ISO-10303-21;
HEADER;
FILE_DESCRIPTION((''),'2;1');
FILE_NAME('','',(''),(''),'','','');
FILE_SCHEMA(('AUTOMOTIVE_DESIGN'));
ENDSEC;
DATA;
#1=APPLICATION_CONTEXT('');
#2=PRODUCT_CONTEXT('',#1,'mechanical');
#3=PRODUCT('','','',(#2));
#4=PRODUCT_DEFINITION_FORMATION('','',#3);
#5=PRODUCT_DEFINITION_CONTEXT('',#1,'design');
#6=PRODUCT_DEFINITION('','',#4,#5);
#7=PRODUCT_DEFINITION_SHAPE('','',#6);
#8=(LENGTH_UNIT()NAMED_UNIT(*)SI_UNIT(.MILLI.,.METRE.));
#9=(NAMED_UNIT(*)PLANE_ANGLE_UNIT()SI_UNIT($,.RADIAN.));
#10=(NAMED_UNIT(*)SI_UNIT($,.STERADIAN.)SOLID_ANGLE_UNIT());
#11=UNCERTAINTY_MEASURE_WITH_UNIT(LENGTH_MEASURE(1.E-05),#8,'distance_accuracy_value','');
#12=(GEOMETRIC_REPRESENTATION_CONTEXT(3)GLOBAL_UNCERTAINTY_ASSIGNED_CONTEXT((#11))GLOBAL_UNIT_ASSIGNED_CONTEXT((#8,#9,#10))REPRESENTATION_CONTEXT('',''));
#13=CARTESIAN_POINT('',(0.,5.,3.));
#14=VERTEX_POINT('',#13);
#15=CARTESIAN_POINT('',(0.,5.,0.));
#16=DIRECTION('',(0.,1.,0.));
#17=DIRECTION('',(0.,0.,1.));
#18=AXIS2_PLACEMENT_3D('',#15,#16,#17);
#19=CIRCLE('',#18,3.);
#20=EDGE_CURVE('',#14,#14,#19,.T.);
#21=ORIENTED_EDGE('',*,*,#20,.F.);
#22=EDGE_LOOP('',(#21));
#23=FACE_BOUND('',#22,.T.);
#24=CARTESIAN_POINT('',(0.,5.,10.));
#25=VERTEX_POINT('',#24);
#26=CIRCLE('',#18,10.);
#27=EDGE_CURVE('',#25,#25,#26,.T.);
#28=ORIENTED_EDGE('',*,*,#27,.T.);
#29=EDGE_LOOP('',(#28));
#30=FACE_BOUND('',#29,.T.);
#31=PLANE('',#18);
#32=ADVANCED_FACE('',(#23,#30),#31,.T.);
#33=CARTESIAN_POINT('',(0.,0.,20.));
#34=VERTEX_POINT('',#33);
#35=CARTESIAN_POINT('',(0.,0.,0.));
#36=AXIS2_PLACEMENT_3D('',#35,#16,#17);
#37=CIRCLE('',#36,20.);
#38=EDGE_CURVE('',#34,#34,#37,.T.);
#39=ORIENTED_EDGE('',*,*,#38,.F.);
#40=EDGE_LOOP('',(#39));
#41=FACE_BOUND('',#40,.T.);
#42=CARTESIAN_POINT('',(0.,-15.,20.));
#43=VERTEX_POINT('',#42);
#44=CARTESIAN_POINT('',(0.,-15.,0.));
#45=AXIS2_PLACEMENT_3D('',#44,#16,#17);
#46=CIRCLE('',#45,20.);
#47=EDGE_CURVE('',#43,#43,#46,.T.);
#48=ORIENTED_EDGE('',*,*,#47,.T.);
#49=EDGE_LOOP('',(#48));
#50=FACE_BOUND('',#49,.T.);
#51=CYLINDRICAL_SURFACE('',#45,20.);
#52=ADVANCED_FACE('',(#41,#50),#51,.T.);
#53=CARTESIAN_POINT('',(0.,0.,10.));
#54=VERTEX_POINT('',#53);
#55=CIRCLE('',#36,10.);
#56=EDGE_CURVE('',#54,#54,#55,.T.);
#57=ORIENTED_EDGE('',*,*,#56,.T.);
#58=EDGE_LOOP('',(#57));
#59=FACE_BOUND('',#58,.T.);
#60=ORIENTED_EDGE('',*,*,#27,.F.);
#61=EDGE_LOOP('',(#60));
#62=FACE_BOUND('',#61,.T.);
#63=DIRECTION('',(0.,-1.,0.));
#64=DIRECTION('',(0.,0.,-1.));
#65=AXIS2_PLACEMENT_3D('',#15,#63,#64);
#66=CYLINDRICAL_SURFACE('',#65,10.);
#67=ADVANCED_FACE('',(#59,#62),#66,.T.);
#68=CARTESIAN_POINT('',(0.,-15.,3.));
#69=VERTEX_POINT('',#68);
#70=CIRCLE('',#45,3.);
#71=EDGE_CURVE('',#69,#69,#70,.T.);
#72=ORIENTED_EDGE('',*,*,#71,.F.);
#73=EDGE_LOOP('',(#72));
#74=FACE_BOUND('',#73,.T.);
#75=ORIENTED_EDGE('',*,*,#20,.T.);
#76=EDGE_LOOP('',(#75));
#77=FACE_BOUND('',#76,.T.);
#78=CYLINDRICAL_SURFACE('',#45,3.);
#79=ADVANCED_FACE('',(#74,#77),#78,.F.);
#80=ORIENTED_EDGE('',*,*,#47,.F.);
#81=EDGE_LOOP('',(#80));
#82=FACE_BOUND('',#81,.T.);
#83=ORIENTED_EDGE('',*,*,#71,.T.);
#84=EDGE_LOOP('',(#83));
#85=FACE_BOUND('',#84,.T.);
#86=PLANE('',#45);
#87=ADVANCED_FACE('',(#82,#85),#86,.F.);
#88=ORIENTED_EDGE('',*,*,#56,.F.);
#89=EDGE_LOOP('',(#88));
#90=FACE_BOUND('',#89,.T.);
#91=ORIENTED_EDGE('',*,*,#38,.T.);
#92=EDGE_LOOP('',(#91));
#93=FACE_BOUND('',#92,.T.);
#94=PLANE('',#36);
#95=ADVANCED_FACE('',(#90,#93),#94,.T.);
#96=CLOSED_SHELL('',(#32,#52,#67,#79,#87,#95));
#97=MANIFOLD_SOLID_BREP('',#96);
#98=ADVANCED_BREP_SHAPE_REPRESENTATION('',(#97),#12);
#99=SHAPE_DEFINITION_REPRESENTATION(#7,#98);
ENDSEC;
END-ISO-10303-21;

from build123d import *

# Parameters (mm, degrees)
SKETCH1_R          = 20
EXTRUDE1_DEPTH     = 15
SKETCH2_R          = 10
EXTRUDE2_DEPTH     = 5
SKETCH3_R          = 3
CUT_EXTRUDE1_DEPTH = 35.641016151


with BuildPart() as part:
    # Sketch1 → Extrude1 (new body)
    with BuildSketch(Plane(origin=(0, 0, 0), x_dir=(1, 0, 0), z_dir=(0, 1, 0))):
        with Locations(Location((0, 0, 0), (0, 0, 270))):
            Circle(SKETCH1_R)
    extrude(amount=-EXTRUDE1_DEPTH)

    # Sketch2 → Extrude2 (add)
    with BuildSketch(Plane(origin=(0, 0, 0), x_dir=(1, 0, 0), z_dir=(0, 1, 0))):
        with Locations(Location((0, 0, 0), (0, 0, 270))):
            Circle(SKETCH2_R)
    extrude(amount=EXTRUDE2_DEPTH)

    # Sketch3 → Cut-Extrude1 (cut, through all)
    with BuildSketch(Plane(origin=(0, 5, 0), x_dir=(1, 0, 0), z_dir=(0, 1, 0))):
        with Locations(Location((0, 0, 0), (0, 0, 270))):
            Circle(SKETCH3_R)
    extrude(amount=-CUT_EXTRUDE1_DEPTH, mode=Mode.SUBTRACT)


solid = part.part
